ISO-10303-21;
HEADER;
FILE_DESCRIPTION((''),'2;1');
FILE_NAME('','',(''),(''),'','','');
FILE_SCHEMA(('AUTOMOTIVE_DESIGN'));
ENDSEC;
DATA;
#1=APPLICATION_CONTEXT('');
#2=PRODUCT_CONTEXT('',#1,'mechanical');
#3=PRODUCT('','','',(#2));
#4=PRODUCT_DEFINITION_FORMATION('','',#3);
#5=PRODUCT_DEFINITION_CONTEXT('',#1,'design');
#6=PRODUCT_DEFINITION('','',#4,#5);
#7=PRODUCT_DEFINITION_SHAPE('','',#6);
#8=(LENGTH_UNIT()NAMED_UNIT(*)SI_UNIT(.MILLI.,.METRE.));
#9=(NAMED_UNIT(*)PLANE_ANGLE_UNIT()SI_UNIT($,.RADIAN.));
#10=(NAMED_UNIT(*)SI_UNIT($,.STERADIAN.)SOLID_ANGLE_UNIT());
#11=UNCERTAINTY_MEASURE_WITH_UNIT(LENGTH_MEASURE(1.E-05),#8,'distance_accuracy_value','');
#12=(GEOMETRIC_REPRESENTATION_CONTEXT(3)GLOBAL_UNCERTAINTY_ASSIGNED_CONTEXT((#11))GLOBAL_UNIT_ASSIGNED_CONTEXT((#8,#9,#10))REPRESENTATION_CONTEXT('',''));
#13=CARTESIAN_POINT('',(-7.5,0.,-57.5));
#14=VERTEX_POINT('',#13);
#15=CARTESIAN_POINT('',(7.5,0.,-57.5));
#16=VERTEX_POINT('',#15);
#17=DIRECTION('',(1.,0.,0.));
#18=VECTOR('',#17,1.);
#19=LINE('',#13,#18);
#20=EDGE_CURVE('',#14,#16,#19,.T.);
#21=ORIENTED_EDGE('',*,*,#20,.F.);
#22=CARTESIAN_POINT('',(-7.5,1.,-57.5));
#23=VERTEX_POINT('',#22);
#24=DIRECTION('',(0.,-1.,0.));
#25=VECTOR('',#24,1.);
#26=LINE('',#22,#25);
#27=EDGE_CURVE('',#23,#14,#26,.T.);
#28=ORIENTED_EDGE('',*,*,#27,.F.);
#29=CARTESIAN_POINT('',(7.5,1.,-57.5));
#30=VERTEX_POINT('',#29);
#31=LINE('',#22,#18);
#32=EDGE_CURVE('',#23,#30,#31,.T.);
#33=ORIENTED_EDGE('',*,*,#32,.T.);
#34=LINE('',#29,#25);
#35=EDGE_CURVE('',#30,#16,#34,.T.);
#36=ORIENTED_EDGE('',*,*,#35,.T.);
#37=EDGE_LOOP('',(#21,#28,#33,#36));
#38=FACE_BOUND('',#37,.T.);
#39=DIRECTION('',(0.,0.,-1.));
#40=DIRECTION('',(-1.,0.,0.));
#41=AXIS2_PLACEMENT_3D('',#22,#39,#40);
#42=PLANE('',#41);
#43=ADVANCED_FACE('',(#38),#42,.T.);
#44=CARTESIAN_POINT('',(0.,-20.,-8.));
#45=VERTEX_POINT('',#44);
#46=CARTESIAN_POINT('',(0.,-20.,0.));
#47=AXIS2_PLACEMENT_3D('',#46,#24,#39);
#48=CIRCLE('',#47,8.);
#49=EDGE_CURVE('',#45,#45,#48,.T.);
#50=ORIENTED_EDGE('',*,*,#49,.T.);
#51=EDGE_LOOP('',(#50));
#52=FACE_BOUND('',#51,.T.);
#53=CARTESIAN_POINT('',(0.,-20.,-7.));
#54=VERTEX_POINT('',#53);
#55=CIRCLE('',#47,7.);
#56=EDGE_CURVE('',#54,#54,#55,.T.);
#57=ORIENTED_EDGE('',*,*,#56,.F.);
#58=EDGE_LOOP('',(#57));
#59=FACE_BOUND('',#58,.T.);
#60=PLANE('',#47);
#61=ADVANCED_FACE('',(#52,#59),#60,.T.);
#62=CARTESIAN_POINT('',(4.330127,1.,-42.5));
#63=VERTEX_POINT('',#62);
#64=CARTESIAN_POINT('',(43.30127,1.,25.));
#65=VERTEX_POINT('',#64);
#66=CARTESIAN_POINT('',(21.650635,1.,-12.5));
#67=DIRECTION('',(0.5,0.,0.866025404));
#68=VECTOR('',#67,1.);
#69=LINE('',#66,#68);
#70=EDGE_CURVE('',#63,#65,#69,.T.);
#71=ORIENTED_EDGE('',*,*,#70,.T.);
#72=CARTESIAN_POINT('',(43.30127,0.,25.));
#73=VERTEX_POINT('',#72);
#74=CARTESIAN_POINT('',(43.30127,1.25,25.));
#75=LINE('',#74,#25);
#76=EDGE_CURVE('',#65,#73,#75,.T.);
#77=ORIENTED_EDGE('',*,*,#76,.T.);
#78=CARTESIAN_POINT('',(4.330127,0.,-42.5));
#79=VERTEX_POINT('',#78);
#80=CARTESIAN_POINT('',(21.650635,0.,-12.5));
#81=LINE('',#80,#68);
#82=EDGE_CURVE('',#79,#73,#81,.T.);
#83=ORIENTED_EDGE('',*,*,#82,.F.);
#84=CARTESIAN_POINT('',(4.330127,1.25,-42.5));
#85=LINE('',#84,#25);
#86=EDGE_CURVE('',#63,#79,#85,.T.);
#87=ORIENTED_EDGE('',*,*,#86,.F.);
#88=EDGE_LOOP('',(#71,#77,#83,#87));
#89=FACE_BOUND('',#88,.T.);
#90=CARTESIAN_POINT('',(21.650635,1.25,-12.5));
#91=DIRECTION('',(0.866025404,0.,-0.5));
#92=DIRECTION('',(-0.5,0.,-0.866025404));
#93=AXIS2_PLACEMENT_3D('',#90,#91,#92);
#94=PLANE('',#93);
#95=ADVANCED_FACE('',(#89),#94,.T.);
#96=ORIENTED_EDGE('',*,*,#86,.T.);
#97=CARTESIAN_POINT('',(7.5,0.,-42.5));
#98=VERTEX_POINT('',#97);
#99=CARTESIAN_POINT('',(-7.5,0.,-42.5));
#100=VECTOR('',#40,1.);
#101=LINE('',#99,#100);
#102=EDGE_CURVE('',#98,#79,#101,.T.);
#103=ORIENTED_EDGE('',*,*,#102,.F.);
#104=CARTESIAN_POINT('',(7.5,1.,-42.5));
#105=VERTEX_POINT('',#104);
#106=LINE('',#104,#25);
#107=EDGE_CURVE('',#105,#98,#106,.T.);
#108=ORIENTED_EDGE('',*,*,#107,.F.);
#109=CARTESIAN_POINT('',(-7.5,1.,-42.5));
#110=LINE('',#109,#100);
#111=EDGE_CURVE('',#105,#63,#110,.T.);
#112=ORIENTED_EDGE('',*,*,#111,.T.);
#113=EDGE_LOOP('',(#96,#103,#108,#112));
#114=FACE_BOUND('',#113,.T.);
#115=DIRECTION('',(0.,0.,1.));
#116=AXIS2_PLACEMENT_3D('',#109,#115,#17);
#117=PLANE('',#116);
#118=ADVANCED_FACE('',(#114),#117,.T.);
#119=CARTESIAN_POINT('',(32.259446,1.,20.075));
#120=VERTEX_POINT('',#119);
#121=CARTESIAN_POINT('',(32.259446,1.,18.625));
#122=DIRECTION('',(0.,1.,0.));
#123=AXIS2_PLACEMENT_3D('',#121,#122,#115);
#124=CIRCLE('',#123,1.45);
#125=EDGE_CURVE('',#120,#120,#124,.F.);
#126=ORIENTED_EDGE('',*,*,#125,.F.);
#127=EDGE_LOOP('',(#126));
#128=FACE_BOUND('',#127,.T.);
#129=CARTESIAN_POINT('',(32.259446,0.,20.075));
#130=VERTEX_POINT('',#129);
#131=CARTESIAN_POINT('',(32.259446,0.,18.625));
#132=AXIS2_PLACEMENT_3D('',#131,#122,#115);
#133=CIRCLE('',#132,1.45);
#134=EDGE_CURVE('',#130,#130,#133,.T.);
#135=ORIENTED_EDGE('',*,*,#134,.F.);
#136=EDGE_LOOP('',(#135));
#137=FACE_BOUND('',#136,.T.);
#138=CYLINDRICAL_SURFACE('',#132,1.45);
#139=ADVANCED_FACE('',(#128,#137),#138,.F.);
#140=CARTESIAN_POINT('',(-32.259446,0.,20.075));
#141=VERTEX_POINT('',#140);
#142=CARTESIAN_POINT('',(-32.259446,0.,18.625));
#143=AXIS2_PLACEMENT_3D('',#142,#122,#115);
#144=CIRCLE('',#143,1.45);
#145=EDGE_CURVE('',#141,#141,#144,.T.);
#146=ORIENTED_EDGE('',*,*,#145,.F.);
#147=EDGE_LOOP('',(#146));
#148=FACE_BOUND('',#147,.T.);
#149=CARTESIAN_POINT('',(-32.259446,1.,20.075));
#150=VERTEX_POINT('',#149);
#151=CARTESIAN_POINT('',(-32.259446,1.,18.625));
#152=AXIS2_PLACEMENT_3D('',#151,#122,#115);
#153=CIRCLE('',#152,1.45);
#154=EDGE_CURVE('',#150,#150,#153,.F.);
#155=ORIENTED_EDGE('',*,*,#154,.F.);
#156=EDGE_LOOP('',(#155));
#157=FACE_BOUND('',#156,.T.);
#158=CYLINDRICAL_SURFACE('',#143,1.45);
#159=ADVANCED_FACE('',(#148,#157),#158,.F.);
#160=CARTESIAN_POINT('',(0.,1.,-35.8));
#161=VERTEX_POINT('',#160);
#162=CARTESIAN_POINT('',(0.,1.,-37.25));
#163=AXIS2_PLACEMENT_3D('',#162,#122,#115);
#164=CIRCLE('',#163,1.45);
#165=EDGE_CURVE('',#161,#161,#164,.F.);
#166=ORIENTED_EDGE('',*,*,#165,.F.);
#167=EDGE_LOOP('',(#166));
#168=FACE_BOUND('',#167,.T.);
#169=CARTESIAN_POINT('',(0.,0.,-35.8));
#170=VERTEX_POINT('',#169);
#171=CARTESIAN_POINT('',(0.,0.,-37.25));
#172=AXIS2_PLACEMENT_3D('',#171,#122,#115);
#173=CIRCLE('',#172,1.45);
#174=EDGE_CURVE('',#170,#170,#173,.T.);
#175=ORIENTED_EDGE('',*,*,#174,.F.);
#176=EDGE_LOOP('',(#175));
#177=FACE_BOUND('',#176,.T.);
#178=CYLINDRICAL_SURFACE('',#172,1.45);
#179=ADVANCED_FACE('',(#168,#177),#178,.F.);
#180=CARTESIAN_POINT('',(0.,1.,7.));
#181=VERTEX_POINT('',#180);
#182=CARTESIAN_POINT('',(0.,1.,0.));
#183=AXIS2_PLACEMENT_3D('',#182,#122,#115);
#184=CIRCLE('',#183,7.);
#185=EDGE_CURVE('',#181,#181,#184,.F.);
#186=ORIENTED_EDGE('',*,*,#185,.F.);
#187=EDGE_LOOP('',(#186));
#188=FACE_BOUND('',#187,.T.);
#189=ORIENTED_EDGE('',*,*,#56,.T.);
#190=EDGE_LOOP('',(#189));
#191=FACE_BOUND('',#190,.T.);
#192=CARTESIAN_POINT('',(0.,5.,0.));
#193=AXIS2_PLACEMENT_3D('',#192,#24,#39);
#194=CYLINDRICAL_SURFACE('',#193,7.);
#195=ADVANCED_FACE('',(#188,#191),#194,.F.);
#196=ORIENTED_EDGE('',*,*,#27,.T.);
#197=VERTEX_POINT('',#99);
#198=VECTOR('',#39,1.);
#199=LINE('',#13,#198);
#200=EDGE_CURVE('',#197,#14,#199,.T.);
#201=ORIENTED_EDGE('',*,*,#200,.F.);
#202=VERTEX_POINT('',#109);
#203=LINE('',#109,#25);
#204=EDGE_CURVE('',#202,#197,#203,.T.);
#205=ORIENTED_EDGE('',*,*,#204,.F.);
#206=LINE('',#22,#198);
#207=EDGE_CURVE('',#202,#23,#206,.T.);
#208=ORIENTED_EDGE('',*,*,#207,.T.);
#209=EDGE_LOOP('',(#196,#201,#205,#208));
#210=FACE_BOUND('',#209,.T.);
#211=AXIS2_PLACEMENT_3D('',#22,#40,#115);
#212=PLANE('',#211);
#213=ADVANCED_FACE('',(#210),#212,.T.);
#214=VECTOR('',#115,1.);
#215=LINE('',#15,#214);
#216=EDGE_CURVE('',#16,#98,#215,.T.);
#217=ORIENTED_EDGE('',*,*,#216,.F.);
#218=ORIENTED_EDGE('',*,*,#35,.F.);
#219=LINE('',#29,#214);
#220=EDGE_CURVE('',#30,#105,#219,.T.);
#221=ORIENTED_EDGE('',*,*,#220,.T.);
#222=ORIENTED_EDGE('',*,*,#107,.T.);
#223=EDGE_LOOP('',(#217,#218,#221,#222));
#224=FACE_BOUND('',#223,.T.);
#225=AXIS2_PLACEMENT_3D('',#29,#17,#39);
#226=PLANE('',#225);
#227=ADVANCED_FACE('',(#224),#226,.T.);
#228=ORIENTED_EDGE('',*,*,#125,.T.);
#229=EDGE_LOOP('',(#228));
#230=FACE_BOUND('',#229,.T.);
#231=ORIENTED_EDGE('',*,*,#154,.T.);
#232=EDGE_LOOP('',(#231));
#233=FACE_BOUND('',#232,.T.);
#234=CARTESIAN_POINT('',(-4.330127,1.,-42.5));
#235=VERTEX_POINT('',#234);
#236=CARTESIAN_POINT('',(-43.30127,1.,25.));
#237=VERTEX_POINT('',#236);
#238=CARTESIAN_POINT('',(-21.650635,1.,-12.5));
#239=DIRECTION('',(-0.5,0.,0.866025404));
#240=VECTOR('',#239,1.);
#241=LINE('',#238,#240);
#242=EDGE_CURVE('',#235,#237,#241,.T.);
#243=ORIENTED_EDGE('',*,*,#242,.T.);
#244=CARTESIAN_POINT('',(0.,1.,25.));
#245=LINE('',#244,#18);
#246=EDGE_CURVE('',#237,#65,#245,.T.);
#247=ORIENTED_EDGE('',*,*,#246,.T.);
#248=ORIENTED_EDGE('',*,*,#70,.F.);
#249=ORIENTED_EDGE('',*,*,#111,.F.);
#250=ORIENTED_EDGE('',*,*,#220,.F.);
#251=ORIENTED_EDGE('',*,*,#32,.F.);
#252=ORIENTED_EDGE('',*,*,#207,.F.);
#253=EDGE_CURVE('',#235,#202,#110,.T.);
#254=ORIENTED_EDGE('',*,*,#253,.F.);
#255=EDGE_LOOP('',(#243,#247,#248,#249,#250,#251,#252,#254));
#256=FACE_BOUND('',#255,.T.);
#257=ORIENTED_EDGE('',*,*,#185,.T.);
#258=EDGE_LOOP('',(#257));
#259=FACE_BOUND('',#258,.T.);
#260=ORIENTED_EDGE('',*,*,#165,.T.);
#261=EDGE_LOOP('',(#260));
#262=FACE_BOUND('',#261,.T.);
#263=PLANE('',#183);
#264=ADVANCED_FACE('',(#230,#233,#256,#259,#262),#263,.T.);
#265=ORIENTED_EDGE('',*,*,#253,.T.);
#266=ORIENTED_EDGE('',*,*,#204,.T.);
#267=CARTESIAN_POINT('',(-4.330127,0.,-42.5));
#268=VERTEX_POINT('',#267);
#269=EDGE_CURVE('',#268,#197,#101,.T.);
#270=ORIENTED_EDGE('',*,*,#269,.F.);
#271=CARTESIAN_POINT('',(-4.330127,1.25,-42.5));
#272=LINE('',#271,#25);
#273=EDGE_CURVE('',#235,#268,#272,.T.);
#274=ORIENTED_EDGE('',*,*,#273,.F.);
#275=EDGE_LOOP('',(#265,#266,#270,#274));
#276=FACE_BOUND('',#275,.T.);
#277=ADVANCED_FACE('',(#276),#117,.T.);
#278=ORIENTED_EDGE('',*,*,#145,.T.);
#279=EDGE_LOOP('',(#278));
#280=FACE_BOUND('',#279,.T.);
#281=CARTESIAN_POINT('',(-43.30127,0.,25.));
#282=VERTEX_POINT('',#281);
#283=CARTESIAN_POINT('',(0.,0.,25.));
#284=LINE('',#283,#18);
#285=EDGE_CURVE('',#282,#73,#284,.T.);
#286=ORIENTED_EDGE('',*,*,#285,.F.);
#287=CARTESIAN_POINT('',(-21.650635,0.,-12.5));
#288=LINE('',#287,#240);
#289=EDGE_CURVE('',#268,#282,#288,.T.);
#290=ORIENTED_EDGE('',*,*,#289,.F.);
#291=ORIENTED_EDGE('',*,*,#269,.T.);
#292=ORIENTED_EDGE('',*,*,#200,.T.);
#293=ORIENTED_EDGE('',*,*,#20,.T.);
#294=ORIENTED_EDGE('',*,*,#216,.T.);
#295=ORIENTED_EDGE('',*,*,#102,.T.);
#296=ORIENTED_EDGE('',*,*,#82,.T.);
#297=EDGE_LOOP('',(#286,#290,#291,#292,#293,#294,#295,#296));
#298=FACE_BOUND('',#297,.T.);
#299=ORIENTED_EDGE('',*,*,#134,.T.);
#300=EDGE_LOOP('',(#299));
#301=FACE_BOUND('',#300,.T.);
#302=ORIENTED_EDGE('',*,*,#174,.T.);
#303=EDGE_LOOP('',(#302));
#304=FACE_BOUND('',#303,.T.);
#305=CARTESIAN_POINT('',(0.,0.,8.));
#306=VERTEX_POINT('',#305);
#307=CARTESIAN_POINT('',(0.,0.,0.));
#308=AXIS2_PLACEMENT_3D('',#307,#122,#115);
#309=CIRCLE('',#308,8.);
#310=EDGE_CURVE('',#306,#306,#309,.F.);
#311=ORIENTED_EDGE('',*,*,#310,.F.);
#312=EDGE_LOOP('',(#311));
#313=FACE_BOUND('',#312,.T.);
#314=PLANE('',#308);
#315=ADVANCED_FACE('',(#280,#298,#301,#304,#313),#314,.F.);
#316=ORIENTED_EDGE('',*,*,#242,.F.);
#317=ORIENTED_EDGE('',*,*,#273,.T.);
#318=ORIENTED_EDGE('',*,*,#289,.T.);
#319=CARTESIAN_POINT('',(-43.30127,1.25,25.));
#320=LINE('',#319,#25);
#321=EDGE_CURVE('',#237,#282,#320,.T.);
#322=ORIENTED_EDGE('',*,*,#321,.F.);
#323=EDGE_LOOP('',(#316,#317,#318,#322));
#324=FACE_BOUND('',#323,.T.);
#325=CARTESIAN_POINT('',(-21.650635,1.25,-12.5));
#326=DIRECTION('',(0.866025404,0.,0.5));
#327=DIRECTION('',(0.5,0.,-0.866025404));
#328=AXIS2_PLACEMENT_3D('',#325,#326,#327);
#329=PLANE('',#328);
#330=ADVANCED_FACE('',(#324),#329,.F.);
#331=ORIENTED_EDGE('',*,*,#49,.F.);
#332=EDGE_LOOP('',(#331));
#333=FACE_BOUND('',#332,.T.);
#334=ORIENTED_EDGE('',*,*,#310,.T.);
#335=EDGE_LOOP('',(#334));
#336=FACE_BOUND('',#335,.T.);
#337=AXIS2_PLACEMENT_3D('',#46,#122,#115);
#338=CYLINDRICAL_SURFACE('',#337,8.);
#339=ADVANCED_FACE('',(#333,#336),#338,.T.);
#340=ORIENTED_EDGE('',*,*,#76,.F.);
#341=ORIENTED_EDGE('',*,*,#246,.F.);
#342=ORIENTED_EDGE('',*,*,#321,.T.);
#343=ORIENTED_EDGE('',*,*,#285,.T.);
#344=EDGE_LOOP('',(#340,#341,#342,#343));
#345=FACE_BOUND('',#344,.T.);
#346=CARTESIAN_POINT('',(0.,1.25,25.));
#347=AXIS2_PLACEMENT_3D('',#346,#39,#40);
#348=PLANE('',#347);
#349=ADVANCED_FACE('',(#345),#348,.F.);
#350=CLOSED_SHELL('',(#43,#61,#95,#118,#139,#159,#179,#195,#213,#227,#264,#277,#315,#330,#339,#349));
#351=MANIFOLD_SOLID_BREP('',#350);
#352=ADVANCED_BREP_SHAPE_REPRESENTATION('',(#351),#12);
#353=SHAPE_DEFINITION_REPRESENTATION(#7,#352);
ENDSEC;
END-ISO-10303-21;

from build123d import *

# Parameters (mm, degrees)
BOSS_EXTRUDE3_DEPTH = 1.25
SKETCH5_R           = 1.45
CUT_EXTRUDE1_DEPTH  = 1.25
SKETCH6_R           = 8
BOSS_EXTRUDE6_DEPTH = 20
SKETCH8_R           = 6
CUT_EXTRUDE5_DEPTH  = 30
SKETCH9_R           = 7
CUT_EXTRUDE7_DEPTH  = 25
SKETCH10_R          = 52.083932338
CUT_EXTRUDE9_DEPTH  = 0.25
SKETCH11_W          = 15
SKETCH11_H          = 15
BOSS_EXTRUDE9_DEPTH = 1


with BuildPart() as part:
    # Sketch1 → Boss-Extrude3 (new body)
    with BuildSketch(Plane(origin=(0, 0, 0), x_dir=(1, 0, 0), z_dir=(0, 1, 0))):
        Polygon((0, 50), (43.301270189, -25), (0, 0), align=None)
        Polygon((0, 0), (0, 50), (-43.301270189, -25), align=None)
        Polygon((0, 0), (-43.301270189, -25), (43.301270189, -25), align=None)
    extrude(amount=BOSS_EXTRUDE3_DEPTH)

    # Sketch5 → Cut-Extrude1 (cut)
    with BuildSketch(Plane(origin=(0, 1.25, 0), x_dir=(1, 0, 0), z_dir=(0, 1, 0))):
        with Locations(Location((0, 37.25, 0), (0, 0, 270))):
            Circle(SKETCH5_R)
        with Locations(Location((-32.259446291, -18.625, 0), (0, 0, 270))):
            Circle(SKETCH5_R)
        with Locations(Location((32.259446291, -18.625, 0), (0, 0, 270))):
            Circle(SKETCH5_R)
    extrude(amount=-CUT_EXTRUDE1_DEPTH, mode=Mode.SUBTRACT)

    # Sketch6 → Boss-Extrude6 (add)
    with BuildSketch(Plane.XZ):
        with Locations(Location((0, 0, 0), (0, 0, 90))):
            Circle(SKETCH6_R)
    extrude(amount=BOSS_EXTRUDE6_DEPTH)

    # Sketch8 → Cut-Extrude5 (cut)
    with BuildSketch(Plane.XZ.offset(20)):
        with Locations(Location((0, 0, 0), (0, 0, 270))):
            Circle(SKETCH8_R)
    extrude(amount=-CUT_EXTRUDE5_DEPTH, mode=Mode.SUBTRACT)

    # Sketch9 → Cut-Extrude7 (cut)
    with BuildSketch(Plane.XZ.offset(20)):
        with Locations(Location((0, 0, 0), (0, 0, 270))):
            Circle(SKETCH9_R)
    extrude(amount=-CUT_EXTRUDE7_DEPTH, mode=Mode.SUBTRACT)

    # Sketch10 → Cut-Extrude9 (cut)
    with BuildSketch(Plane(origin=(0, 1.25, 0), x_dir=(1, 0, 0), z_dir=(0, 1, 0))):
        Circle(SKETCH10_R)
    extrude(amount=-CUT_EXTRUDE9_DEPTH, mode=Mode.SUBTRACT)

    # Sketch11 → Boss-Extrude9 (add)
    with BuildSketch(Plane.XZ):
        with Locations((0, -50)):
            Rectangle(SKETCH11_W, SKETCH11_H)
    extrude(amount=-BOSS_EXTRUDE9_DEPTH)


solid = part.part
